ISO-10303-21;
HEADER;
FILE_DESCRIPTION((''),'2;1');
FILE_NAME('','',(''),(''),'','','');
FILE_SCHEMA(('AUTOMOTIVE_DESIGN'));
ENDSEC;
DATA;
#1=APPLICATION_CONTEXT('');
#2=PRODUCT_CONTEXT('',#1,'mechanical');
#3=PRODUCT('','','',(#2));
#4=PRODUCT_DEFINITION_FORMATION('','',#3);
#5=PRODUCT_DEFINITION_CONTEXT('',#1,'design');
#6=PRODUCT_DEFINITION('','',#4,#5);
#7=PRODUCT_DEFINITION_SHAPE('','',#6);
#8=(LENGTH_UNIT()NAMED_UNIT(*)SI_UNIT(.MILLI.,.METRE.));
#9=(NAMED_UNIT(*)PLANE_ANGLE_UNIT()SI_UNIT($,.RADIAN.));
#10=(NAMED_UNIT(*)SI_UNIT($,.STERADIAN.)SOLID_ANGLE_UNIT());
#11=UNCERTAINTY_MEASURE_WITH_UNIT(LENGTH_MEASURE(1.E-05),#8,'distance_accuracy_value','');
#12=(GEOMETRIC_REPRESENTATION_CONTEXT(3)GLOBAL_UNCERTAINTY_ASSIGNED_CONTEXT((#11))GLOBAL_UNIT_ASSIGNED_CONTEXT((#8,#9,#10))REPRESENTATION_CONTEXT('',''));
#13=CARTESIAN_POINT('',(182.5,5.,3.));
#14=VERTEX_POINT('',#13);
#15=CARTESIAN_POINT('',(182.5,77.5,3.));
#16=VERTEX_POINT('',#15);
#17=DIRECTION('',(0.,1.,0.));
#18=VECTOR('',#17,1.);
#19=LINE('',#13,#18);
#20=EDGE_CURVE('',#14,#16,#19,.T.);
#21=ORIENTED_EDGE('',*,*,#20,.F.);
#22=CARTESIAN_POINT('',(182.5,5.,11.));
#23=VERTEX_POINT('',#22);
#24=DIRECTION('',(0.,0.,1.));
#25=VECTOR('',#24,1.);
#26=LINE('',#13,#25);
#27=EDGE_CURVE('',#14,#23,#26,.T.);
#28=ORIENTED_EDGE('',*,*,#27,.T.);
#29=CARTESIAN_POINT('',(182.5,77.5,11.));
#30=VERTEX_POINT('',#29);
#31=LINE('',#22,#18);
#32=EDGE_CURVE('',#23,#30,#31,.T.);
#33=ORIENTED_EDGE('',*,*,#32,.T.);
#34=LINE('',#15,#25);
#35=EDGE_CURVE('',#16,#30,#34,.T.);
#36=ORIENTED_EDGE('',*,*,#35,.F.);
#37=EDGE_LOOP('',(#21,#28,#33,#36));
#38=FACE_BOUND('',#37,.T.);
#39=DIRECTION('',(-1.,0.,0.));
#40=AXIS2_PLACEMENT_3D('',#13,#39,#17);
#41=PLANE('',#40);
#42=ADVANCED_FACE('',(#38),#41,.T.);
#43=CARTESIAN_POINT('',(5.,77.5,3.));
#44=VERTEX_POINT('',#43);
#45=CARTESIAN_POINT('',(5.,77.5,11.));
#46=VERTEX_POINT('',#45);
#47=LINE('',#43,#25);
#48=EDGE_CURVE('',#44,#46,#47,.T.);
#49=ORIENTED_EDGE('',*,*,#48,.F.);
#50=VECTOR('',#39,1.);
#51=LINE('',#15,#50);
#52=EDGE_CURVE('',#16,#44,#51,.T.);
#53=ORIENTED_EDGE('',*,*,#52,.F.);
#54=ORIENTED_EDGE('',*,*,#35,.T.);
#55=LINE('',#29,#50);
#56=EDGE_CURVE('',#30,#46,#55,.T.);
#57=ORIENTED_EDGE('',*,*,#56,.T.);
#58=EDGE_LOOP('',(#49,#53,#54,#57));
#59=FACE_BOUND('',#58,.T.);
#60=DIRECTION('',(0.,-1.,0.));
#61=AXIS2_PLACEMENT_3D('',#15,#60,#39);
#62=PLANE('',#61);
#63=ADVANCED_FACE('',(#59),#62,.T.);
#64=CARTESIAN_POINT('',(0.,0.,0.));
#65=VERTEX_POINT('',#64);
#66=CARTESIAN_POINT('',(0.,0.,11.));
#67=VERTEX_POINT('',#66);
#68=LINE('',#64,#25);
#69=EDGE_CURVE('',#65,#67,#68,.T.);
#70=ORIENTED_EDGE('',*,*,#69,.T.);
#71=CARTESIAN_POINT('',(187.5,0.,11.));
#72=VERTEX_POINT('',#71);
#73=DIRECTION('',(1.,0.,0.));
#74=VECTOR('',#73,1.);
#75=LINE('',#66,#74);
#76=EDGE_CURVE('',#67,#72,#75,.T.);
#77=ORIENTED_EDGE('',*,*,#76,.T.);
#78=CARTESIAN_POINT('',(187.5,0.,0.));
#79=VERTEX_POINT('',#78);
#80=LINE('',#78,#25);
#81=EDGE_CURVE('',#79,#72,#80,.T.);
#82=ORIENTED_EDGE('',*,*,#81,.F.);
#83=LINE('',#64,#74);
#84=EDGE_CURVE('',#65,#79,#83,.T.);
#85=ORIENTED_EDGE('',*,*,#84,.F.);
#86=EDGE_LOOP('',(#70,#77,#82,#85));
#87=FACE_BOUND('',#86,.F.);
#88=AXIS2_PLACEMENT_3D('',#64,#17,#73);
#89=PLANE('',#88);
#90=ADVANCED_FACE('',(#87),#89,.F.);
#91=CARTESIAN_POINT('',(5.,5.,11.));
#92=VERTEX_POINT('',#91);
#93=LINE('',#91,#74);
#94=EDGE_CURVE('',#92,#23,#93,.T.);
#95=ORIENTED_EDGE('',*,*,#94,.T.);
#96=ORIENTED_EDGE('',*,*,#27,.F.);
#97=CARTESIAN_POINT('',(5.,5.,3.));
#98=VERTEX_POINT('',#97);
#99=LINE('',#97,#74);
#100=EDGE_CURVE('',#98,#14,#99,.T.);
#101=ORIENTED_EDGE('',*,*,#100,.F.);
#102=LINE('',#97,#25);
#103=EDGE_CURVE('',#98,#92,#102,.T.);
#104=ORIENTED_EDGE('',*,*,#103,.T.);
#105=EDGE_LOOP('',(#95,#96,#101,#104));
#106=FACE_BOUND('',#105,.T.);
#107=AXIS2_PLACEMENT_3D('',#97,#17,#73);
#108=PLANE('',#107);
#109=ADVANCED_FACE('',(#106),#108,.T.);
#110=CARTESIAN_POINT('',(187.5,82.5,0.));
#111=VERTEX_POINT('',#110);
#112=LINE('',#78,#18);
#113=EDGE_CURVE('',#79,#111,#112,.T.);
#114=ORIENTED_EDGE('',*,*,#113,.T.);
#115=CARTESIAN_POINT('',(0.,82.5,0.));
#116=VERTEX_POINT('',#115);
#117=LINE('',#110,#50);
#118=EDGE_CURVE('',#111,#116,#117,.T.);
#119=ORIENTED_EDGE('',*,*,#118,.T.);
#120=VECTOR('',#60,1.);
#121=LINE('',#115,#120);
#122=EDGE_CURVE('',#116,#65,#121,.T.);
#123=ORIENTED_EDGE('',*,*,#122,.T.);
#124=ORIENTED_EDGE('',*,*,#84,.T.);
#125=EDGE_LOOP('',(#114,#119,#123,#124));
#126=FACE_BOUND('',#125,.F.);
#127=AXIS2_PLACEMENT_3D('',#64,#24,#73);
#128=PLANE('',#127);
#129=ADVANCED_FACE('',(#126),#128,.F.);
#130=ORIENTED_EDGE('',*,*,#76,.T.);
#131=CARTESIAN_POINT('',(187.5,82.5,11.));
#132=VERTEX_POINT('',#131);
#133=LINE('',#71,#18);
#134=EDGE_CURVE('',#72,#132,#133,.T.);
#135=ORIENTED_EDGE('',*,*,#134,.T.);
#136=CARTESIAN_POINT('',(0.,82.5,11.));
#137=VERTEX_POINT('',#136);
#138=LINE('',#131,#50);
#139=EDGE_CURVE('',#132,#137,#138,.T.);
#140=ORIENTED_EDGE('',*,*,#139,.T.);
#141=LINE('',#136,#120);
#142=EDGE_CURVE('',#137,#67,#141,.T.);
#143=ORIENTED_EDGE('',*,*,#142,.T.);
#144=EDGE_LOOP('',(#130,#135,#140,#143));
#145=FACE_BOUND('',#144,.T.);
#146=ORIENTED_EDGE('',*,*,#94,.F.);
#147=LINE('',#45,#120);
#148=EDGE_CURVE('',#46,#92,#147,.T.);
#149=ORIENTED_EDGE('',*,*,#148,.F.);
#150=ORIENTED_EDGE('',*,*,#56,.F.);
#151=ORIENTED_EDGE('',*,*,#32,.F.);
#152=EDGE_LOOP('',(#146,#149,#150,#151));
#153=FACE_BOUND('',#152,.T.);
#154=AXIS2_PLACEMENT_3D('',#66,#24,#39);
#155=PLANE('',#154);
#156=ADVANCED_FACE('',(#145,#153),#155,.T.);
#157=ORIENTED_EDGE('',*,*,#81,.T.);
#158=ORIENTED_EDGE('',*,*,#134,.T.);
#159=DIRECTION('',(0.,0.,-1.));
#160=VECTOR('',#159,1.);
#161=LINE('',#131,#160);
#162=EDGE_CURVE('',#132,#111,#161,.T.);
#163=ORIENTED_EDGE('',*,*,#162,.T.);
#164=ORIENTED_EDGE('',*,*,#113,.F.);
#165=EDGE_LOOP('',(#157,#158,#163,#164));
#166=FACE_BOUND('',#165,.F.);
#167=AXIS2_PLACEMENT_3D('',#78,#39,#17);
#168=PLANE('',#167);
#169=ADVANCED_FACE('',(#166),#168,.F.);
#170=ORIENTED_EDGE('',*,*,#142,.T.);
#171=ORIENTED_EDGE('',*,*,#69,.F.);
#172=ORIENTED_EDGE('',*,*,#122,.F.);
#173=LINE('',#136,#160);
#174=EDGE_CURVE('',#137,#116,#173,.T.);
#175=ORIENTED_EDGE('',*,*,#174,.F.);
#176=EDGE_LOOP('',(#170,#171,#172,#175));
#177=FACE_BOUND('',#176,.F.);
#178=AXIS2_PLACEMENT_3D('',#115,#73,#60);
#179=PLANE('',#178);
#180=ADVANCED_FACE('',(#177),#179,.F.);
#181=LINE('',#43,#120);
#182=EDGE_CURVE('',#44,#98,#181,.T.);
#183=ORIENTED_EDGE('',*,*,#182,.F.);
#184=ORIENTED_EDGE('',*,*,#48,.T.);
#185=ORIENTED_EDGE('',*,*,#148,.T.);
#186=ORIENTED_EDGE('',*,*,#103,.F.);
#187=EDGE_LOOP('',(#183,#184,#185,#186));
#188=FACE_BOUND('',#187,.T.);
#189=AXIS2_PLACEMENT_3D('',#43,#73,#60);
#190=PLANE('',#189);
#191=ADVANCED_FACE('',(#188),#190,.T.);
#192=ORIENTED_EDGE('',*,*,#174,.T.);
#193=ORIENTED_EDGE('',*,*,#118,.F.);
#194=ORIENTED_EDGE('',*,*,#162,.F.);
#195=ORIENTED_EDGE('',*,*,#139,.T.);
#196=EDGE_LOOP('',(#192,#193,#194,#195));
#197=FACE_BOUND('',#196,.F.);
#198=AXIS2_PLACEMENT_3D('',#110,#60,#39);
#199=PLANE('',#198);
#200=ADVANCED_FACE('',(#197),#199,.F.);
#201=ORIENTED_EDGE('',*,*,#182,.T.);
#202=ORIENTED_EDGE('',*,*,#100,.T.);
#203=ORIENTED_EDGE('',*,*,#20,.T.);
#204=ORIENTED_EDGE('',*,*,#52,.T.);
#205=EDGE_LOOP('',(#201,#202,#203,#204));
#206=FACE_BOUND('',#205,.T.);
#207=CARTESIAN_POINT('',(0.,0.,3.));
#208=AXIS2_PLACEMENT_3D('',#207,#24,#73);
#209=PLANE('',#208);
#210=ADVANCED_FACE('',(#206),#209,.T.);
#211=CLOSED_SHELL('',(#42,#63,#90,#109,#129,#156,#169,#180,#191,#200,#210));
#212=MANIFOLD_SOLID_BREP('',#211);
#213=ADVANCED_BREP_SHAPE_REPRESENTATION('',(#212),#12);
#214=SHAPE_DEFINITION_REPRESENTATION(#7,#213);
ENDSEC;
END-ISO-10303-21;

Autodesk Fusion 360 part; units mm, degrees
sketch "Sketch1" plane through (0, 0, 0) normal (0, 0, 1) x (1, 0, 0)
  line L0 (0, 0) -> (187.5, 0)
  line L1 (187.5, 0) -> (187.5, 82.5)
  line L2 (187.5, 82.5) -> (0, 82.5)
  line L3 (0, 82.5) -> (0, 0)
  dimension "d1" = 187.5
  dimension "d2" = 82.5
extrude "Extrude1" add sketch "Sketch1" along normal blind 3
sketch "Sketch2" plane through (0, 0, 3) normal (0, 0, 1) x (-1, 0, 0)
  line L0 (0, -82.5) -> (0, 0)
  line L1 (0, 0) -> (-187.5, 0)
  line L2 (-187.5, 0) -> (-187.5, -82.5)
  line L3 (-187.5, -82.5) -> (0, -82.5)
  line L4 (-5, -5) -> (-182.5, -5)
  line L5 (-182.5, -5) -> (-182.5, -77.5)
  line L6 (-182.5, -77.5) -> (-5, -77.5)
  line L7 (-5, -77.5) -> (-5, -5)
  dimension "d5" = -5
extrude "Extrude2" add sketch "Sketch2" along normal blind 8
